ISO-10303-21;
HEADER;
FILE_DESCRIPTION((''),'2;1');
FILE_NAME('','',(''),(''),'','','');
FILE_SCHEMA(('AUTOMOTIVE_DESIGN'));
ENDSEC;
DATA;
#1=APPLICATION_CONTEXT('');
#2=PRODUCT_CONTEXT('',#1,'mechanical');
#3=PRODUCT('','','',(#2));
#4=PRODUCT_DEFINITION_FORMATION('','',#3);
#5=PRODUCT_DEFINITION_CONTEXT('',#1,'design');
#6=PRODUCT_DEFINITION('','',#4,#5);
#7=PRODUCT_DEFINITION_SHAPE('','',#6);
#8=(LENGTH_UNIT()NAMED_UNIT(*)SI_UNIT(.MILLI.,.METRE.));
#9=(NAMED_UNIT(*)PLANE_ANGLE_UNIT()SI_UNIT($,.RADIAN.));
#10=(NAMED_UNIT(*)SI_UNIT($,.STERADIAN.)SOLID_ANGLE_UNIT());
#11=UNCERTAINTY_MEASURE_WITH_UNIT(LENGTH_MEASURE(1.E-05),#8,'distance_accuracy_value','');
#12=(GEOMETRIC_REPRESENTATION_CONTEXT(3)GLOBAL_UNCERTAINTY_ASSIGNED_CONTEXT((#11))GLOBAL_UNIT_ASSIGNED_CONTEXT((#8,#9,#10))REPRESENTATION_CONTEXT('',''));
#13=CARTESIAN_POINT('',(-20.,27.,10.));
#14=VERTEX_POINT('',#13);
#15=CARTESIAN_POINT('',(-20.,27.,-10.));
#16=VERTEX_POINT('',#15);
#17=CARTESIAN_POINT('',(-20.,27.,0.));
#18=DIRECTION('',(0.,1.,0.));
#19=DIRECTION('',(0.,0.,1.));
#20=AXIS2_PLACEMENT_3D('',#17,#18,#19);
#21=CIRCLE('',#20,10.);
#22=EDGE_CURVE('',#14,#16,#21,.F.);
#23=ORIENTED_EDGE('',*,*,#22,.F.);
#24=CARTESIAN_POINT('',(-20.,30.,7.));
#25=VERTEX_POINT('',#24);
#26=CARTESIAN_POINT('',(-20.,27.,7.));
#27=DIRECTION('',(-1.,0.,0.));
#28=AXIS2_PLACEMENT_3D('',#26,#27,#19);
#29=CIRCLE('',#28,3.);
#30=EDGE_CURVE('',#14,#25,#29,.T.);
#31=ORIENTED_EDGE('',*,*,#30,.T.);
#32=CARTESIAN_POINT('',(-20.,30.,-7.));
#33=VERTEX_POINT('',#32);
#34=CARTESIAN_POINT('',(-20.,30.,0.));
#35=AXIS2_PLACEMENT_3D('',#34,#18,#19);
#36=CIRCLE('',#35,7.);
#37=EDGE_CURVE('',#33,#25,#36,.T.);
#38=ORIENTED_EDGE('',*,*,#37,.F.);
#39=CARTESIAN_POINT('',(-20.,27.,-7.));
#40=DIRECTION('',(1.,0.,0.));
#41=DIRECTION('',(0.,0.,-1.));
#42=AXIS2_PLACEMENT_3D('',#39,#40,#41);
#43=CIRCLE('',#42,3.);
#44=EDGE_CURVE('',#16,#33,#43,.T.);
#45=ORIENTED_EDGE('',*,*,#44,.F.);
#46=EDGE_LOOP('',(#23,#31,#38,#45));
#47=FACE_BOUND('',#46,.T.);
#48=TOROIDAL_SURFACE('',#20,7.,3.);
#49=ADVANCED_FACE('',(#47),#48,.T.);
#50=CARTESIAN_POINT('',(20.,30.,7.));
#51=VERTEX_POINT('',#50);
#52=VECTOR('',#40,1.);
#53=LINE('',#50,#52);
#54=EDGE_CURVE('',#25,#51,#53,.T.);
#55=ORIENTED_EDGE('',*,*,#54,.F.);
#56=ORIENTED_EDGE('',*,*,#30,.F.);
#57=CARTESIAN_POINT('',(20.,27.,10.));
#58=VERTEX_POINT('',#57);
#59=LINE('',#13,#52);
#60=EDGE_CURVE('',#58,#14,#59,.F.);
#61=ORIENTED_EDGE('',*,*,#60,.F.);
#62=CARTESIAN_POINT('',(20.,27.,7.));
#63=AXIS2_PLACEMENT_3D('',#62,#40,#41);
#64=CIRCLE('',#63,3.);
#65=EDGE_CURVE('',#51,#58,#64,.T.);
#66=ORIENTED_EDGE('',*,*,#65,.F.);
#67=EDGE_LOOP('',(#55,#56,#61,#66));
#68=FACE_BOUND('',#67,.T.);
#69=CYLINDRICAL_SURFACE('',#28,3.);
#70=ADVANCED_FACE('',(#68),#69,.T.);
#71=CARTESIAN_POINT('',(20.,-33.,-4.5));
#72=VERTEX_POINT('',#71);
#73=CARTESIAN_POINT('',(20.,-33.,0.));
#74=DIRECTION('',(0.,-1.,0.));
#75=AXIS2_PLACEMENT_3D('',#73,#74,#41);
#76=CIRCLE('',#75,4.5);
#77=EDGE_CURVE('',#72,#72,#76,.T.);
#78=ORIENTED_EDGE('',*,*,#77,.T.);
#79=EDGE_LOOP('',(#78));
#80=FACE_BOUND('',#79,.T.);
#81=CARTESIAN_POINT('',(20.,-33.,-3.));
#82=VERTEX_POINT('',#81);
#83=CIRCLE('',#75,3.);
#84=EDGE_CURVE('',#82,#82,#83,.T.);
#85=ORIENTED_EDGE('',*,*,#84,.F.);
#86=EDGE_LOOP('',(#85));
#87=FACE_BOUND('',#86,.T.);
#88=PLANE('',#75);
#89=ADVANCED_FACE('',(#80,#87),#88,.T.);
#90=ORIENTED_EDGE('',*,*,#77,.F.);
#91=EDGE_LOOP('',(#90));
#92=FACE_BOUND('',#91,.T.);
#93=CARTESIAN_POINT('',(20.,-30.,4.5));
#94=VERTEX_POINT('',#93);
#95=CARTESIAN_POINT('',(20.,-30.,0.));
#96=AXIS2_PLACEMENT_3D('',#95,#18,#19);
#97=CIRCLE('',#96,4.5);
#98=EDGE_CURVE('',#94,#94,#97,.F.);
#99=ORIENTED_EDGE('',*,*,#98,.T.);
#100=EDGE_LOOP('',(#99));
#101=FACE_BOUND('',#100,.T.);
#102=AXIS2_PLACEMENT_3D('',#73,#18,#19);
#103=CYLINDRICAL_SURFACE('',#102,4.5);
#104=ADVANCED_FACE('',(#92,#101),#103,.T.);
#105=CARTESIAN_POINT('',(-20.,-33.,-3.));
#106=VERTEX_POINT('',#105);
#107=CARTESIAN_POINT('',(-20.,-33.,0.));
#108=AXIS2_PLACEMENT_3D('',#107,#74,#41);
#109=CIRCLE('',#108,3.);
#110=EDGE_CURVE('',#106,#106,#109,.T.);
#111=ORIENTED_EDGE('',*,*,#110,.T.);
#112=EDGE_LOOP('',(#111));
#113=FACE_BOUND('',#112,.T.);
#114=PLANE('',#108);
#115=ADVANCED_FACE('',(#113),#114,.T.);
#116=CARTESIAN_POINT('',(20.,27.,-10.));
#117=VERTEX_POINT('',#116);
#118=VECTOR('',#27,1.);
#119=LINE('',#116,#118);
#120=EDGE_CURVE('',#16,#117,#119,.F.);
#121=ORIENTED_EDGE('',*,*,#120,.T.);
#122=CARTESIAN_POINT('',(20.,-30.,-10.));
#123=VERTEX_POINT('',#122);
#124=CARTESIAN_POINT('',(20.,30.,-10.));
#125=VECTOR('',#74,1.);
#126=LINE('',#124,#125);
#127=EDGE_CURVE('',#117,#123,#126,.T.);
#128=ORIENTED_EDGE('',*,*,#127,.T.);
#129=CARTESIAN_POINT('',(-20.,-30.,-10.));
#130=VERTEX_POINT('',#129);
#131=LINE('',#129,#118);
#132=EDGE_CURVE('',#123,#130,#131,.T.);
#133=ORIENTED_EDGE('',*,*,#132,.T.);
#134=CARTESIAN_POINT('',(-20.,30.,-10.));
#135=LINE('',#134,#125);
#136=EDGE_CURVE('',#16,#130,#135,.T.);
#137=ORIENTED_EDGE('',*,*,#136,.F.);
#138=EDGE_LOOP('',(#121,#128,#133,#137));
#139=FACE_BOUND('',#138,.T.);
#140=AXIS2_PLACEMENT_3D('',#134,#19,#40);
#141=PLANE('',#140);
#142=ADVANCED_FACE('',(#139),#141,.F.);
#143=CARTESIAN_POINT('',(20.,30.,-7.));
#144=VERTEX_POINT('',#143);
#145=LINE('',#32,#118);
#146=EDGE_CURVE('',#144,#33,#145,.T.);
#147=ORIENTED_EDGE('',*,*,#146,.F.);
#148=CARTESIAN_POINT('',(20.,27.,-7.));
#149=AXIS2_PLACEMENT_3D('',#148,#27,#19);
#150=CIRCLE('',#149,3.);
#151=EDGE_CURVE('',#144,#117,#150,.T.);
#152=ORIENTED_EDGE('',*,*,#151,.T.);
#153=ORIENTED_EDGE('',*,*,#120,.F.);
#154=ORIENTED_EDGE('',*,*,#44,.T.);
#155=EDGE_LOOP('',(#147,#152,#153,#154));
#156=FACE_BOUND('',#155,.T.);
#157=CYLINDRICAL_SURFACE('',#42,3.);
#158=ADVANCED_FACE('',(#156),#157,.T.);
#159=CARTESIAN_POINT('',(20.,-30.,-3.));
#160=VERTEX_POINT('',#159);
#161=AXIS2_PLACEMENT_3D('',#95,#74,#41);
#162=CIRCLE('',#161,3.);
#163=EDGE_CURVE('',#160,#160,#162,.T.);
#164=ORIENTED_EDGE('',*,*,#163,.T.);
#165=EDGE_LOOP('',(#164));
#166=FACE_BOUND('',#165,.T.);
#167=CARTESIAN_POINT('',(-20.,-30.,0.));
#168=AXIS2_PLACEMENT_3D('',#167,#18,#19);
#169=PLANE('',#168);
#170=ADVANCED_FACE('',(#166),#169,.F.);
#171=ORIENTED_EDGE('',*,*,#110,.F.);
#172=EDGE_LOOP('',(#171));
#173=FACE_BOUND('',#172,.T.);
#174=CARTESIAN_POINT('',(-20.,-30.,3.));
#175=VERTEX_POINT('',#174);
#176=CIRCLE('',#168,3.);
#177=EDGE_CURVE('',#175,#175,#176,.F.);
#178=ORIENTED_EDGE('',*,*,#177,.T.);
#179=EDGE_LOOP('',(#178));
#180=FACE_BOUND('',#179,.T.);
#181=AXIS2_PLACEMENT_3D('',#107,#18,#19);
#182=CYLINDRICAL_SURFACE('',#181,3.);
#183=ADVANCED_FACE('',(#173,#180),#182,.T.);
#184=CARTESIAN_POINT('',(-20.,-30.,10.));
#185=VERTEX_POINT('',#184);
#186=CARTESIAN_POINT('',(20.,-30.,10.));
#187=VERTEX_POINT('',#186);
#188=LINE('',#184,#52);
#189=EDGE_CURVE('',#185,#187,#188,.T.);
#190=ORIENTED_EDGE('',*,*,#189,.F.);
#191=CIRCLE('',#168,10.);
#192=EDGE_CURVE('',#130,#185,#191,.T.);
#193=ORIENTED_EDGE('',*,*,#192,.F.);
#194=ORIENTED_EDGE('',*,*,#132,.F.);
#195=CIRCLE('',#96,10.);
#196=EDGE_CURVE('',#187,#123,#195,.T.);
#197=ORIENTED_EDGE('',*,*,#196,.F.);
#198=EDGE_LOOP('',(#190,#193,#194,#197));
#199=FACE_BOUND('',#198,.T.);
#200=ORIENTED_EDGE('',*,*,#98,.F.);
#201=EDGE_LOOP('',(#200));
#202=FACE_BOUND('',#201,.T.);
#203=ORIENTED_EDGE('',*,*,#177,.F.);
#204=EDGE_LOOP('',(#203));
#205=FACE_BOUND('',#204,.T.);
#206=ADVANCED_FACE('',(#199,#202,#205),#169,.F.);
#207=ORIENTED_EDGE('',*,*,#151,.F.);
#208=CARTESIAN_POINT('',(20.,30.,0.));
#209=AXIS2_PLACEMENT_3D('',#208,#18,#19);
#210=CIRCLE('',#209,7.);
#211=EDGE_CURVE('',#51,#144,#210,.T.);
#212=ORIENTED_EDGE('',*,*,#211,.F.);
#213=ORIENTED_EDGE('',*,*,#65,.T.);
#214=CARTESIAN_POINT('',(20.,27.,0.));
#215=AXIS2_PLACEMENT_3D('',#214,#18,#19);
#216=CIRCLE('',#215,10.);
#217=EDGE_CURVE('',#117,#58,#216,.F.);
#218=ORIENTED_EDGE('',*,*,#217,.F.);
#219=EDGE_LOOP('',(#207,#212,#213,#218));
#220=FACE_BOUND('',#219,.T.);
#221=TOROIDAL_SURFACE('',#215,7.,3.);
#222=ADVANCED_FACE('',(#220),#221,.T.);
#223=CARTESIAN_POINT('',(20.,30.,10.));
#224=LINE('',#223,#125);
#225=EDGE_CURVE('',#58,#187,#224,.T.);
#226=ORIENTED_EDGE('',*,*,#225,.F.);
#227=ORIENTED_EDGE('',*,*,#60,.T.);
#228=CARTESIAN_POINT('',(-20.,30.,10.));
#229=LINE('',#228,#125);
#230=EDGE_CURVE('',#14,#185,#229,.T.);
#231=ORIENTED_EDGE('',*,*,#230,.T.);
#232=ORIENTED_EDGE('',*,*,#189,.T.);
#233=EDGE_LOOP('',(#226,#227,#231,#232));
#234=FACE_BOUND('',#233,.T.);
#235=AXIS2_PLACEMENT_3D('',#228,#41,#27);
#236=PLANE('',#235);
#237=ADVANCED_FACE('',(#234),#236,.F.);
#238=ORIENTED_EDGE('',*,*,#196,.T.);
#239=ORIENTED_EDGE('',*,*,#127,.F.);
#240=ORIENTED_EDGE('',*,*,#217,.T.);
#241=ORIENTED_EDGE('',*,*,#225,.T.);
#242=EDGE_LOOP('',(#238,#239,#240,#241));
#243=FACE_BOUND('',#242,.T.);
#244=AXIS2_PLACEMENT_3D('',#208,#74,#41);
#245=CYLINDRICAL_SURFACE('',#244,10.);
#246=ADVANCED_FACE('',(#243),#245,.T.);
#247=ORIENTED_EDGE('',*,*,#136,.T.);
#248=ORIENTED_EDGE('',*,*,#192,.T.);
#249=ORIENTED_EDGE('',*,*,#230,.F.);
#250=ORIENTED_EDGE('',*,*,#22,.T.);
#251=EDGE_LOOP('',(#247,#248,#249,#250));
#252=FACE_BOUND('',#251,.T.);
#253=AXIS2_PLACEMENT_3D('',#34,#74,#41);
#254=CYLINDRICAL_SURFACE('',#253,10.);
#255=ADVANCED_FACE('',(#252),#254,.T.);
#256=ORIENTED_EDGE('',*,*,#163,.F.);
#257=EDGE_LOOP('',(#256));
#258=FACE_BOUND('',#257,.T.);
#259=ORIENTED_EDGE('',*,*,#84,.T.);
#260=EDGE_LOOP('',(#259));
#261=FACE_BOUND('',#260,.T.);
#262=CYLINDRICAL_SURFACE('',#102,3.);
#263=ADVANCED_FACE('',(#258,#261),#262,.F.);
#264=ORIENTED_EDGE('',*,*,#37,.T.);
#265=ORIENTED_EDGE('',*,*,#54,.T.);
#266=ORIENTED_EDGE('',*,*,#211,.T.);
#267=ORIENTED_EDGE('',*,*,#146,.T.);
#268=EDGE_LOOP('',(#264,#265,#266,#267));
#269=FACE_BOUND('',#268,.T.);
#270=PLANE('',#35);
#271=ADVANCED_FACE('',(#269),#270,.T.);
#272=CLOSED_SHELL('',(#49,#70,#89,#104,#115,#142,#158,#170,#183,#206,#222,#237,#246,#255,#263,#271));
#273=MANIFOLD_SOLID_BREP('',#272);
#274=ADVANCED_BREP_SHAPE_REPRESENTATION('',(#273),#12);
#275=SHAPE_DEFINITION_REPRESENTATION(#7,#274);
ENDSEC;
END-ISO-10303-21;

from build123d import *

# Parameters (mm, degrees)
EXTRUDE_1_DEPTH = 30
FILLET_1_R      = 3
SKETCH_2_R      = 3
SKETCH_2_R_2    = 4.5
EXTRUDE_2_DEPTH = 3


with BuildPart() as part:
    # 草图1 → 凸台-拉伸1 (new, symmetric)
    with BuildSketch(Plane(origin=(0, 0, 0), x_dir=(1, 0, 0), z_dir=(0, 1, 0))):
        with BuildLine():
            Line((-20, 10), (20, 10))
            ThreePointArc((20, 10), (30, 0), (20, -10))
            Line((20, -10), (-20, -10))
            ThreePointArc((-20, -10), (-30, 0), (-20, 10))
        make_face()
    extrude(amount=EXTRUDE_1_DEPTH, both=True)

    # 圆角1
    fillet_1_edges = [part.edges().sort_by_distance(p)[0] for p in [
        (30, 30, 0),
        (0, 30, -10),
        (-30, 30, 0),
        (0, 30, 10),
    ]]
    fillet(fillet_1_edges, radius=FILLET_1_R)

    # 草图2 → 凸台-拉伸2 (add)
    # profile 1 of 2: a face of its own
    with BuildSketch(Plane.XZ.offset(30)):
        with Locations(Location((-20, 0, 0), (0, 0, 90))):
            Circle(SKETCH_2_R)
    # profile 2 of 2: a face of its own
    with BuildSketch(Plane.XZ.offset(30)):
        with Locations(Location((20, 0, 0), (0, 0, 90))):
            Circle(SKETCH_2_R_2)
        with Locations(Location((20, 0, 0), (0, 0, 270))):
            Circle(SKETCH_2_R, mode=Mode.SUBTRACT)
    extrude(amount=EXTRUDE_2_DEPTH)


solid = part.part
